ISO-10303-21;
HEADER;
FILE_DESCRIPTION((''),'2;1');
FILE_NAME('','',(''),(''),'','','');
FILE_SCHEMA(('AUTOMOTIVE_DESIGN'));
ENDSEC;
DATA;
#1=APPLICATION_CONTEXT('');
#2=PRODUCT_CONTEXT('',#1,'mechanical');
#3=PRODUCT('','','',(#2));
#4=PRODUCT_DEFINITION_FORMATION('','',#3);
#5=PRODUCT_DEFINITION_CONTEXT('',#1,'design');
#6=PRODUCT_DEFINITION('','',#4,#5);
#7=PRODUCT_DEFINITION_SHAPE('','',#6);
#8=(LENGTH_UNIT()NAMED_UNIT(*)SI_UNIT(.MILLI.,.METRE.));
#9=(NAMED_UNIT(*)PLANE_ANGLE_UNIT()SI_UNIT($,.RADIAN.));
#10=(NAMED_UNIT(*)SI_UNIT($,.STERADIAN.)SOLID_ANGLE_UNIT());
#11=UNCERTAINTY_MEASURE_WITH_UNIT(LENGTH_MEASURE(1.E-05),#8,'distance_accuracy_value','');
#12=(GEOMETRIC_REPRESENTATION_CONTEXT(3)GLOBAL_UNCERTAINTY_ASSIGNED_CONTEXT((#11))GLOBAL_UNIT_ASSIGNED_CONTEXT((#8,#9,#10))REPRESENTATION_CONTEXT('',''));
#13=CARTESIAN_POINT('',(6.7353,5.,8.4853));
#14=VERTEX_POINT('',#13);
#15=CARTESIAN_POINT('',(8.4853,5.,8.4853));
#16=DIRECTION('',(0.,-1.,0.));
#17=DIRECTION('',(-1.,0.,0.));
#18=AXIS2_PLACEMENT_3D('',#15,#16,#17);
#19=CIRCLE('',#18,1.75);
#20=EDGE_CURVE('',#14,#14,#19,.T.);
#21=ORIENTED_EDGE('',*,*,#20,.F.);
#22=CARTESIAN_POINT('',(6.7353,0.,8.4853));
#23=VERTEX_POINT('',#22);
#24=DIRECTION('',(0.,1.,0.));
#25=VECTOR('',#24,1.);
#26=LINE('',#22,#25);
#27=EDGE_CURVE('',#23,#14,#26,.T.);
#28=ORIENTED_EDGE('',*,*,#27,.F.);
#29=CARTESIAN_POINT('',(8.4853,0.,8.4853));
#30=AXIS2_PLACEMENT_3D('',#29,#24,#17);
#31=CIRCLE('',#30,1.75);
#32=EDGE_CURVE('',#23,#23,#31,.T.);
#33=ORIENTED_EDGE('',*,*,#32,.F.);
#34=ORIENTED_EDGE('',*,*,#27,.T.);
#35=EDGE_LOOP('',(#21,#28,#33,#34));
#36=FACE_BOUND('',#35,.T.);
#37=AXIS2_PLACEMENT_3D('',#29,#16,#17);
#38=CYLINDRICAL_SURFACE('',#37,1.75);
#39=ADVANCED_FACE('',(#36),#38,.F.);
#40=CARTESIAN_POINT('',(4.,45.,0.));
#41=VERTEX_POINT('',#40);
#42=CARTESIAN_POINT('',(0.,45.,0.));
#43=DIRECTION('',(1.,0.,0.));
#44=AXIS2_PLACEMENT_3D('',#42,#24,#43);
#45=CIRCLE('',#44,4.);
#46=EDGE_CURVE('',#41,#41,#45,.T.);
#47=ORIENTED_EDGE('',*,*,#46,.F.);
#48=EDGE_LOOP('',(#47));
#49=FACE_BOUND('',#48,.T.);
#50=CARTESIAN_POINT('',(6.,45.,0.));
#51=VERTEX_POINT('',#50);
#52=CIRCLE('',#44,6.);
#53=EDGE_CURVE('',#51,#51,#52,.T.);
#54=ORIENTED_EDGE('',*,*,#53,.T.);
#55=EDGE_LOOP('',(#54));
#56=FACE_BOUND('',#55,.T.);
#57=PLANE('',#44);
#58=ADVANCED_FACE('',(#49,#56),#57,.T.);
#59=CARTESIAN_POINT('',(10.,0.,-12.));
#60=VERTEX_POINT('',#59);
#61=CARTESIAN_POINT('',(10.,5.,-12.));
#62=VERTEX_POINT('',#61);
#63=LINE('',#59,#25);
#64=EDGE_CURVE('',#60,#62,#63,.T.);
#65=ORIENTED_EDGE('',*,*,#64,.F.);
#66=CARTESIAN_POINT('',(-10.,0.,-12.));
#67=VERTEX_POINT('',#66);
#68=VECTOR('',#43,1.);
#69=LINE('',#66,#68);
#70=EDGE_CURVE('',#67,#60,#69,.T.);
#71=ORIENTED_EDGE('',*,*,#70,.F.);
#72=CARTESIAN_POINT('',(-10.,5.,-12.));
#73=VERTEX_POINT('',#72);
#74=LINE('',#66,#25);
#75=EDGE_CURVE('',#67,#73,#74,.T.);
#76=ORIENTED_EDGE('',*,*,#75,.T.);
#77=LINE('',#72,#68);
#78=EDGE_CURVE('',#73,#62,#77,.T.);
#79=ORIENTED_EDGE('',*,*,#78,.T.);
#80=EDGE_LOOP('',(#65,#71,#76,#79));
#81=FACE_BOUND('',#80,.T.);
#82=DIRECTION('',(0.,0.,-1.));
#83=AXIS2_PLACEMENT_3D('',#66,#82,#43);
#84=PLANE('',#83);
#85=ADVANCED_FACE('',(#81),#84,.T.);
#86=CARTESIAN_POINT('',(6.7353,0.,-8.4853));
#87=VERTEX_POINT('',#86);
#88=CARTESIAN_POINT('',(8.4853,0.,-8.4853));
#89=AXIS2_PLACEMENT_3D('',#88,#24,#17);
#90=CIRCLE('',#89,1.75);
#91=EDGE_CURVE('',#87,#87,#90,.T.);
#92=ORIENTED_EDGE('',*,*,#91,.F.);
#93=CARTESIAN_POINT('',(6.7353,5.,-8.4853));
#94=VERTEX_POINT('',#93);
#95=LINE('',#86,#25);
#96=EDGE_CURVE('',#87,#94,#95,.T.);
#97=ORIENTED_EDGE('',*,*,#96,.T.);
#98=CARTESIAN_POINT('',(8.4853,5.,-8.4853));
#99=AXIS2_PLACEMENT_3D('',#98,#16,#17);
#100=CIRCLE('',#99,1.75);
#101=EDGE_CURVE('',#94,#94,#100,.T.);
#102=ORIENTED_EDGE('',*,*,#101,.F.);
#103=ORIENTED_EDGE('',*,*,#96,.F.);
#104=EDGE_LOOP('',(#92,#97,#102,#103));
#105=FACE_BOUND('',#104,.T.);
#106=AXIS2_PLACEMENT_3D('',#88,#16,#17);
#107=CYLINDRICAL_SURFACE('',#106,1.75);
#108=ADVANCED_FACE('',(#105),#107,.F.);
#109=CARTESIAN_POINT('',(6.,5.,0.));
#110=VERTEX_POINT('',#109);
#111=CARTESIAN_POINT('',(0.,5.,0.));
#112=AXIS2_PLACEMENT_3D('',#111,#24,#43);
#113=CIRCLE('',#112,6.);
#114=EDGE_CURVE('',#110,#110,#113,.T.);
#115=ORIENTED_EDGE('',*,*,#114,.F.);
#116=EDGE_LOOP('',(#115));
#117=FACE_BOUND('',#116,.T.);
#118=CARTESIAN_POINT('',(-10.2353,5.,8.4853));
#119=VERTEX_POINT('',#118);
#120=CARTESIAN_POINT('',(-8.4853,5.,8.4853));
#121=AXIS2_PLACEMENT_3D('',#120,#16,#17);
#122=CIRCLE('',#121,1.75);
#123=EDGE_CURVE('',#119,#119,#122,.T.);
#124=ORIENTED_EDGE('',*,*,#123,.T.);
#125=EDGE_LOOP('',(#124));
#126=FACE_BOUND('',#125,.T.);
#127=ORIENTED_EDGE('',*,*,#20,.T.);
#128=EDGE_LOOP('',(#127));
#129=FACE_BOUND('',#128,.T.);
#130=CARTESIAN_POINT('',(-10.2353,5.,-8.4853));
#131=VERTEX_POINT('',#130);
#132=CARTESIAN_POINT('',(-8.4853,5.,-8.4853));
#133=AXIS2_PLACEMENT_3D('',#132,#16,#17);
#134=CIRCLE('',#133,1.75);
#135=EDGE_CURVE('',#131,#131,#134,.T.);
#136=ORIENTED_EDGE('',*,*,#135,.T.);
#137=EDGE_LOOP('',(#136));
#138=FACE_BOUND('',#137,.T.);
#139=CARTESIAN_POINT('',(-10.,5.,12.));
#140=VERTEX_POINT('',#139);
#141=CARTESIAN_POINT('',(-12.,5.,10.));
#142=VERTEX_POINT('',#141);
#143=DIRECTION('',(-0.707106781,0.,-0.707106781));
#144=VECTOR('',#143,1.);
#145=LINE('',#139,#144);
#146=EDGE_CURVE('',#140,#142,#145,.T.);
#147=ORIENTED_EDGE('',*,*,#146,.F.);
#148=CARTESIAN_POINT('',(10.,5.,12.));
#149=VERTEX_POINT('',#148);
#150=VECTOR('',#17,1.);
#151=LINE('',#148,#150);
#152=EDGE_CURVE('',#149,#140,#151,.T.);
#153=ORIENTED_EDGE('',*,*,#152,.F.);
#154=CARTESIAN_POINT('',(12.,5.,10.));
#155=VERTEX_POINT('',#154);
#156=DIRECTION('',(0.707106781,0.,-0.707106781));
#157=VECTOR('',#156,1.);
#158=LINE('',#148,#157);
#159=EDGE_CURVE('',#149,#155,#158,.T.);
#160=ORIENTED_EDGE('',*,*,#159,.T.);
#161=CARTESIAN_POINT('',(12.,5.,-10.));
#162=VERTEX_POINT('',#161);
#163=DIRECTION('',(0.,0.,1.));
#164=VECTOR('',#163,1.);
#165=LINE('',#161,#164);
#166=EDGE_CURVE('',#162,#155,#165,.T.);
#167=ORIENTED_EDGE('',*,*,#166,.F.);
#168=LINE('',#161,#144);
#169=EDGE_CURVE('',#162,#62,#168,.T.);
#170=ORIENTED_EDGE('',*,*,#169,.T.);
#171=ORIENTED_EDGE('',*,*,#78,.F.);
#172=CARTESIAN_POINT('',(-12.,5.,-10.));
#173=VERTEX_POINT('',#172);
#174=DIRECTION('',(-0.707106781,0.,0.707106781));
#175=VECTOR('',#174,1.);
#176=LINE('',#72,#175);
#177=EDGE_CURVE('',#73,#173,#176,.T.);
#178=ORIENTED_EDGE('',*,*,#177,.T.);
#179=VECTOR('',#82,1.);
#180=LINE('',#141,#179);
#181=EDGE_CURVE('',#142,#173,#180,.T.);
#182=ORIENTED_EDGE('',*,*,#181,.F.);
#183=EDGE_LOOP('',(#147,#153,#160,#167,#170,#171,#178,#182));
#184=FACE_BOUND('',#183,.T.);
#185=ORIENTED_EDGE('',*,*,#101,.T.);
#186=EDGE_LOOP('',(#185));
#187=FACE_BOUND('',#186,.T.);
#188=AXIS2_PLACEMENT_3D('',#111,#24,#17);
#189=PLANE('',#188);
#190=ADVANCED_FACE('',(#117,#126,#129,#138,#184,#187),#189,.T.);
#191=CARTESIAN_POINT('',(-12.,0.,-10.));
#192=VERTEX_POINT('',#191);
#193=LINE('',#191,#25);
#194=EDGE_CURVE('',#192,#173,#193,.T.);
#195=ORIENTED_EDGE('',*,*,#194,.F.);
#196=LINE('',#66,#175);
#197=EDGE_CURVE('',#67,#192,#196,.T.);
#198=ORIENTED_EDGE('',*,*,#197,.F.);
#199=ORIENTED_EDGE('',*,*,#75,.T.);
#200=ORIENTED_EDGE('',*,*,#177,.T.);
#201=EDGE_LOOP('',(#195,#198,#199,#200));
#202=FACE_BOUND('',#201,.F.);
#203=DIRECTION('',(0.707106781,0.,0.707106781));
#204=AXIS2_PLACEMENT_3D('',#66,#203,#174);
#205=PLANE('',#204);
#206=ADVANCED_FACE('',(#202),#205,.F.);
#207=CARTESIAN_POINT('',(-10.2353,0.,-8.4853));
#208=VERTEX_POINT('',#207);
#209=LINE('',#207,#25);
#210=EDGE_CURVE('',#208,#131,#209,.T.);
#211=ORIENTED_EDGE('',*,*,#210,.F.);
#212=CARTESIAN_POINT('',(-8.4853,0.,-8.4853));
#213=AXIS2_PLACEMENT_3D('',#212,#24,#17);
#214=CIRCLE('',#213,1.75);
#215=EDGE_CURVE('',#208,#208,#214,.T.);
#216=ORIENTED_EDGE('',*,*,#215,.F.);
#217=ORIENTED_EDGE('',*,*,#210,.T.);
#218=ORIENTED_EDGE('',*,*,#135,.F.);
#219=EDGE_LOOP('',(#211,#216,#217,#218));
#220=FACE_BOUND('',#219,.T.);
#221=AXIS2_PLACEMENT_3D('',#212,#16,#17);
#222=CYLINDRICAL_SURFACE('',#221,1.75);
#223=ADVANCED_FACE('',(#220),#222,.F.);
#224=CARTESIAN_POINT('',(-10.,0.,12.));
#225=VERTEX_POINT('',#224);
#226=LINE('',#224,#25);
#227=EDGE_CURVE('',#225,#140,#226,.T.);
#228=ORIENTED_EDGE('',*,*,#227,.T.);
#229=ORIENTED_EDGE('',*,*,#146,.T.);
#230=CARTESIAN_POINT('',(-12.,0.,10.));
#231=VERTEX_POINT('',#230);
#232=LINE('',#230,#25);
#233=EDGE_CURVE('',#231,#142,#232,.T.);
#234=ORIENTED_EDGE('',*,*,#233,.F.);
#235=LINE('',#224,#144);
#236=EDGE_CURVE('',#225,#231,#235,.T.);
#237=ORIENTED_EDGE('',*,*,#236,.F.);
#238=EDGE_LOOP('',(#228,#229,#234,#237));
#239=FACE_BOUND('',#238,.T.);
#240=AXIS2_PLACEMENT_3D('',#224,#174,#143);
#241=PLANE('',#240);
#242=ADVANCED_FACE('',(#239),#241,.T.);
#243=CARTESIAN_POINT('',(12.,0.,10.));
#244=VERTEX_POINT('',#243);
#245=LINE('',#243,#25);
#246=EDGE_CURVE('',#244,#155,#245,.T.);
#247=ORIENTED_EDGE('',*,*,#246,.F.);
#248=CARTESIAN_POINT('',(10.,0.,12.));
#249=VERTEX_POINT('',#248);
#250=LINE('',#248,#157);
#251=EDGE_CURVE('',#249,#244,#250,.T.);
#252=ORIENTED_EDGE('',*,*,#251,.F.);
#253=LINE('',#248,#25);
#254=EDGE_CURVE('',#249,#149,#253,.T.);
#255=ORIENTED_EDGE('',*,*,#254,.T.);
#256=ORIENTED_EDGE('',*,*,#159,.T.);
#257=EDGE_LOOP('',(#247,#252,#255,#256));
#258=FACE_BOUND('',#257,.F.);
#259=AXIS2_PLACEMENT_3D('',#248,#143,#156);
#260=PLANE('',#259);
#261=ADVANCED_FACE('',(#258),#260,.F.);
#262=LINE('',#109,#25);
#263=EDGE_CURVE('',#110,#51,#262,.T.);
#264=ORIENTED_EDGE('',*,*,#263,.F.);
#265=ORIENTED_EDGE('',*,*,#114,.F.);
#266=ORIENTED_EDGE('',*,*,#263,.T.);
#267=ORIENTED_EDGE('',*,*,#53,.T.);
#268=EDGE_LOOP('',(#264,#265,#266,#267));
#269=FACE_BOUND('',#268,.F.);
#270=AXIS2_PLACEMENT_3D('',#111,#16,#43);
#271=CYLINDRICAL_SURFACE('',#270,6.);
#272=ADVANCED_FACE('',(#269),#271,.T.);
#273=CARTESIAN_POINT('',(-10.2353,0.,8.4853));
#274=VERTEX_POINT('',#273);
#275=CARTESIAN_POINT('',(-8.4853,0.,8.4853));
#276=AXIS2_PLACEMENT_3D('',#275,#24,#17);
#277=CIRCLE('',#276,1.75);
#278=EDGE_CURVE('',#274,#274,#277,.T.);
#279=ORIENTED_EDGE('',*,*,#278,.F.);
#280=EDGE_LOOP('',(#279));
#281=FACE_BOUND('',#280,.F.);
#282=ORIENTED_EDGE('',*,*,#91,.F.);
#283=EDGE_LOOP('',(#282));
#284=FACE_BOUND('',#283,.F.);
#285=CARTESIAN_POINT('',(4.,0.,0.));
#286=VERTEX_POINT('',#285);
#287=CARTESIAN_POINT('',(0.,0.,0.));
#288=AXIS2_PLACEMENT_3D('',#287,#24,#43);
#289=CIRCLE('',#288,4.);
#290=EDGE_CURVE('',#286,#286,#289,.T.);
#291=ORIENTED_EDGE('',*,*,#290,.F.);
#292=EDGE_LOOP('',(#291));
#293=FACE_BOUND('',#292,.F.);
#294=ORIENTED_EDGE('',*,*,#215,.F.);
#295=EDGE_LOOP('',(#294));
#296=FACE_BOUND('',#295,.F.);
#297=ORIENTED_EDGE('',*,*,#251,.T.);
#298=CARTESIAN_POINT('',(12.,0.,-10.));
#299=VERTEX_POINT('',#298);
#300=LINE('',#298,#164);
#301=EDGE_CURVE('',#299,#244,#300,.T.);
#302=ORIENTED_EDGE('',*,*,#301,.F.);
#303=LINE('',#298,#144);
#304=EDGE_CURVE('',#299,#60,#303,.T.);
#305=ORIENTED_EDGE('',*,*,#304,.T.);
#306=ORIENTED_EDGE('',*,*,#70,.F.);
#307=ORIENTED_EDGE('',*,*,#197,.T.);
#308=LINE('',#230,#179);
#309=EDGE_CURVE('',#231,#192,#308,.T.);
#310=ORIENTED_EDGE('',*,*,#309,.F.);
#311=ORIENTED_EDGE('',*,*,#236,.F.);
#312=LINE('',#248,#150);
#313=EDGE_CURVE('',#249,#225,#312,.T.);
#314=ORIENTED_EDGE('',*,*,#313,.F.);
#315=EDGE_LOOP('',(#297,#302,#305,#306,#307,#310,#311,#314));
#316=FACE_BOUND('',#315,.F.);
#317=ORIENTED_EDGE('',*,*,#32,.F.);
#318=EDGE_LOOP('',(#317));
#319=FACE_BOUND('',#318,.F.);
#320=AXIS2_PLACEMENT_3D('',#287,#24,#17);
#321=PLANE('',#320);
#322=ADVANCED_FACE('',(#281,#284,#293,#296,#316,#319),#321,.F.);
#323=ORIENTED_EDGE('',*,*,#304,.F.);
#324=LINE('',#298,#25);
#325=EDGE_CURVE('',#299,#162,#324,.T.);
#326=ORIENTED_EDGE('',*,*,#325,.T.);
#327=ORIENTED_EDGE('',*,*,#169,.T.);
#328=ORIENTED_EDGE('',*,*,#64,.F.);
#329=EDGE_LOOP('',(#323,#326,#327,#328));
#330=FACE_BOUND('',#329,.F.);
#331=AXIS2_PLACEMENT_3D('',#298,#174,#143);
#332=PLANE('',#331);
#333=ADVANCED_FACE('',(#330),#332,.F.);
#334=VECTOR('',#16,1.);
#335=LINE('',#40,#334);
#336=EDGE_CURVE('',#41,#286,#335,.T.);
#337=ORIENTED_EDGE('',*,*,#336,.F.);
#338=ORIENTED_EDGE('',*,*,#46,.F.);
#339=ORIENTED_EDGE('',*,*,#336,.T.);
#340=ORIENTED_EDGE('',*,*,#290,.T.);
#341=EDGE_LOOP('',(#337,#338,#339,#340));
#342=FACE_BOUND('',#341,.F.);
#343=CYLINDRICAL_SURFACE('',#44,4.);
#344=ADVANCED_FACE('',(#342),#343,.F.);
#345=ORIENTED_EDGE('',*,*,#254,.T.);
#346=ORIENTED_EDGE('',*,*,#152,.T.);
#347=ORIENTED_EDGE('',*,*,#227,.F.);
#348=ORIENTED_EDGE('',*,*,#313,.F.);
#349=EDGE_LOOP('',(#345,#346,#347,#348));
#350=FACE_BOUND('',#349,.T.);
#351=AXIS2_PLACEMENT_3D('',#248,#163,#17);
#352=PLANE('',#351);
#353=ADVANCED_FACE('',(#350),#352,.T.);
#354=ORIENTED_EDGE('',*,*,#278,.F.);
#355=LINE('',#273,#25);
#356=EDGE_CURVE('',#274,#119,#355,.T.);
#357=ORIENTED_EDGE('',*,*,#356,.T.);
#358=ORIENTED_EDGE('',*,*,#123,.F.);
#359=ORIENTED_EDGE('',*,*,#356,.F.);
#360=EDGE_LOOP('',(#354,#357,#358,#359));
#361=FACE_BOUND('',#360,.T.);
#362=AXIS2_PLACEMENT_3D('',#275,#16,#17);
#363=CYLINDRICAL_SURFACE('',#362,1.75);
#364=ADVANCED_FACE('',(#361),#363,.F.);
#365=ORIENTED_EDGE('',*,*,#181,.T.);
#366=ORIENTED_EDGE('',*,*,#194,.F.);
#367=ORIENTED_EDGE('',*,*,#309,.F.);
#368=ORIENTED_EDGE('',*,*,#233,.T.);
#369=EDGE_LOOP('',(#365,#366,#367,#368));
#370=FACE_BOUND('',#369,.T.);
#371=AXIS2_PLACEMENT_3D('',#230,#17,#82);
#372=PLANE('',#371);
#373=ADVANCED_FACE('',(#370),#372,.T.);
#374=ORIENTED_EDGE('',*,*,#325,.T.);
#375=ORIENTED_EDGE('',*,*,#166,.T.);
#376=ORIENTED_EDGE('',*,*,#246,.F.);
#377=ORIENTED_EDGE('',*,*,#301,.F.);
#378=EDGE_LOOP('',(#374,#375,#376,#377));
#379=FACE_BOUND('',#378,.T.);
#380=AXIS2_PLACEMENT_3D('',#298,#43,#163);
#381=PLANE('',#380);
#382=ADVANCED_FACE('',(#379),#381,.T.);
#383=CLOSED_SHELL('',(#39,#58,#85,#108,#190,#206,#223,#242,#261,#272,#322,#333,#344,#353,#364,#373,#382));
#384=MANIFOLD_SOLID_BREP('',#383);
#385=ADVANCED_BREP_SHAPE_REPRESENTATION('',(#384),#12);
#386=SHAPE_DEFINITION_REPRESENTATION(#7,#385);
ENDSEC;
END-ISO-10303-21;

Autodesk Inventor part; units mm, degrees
ref_plane "YZ Plane" through (0, 0, 0) normal (1, 0, 0) x (0, 1, 0)
ref_plane "XZ Plane" through (0, 0, 0) normal (0, 1, 0) x (-1, 0, 0)
ref_plane "XY Plane" through (0, 0, 0) normal (0, 0, 1) x (1, 0, 0)
sketch "Sketch1" plane through (0, 0, 0) normal (0, 1, 0) x (-1, 0, 0)
  line L0 (10, -12) -> (-10, -12)
  line L1 (-12, -10) -> (-12, 10)
  line L2 (-10, 12) -> (10, 12)
  line L3 (12, 10) -> (12, -10)
  line L4 (12, -12) -> (-12, 12) construction
  line L5 (-12, -12) -> (12, 12) construction
  line L6 (8.4853, -8.4853) -> (6.7353, -8.4853)
  line L7 (-8.4853, -8.4853) -> (-8.4853, -6.7353)
  line L8 (-8.4853, 8.4853) -> (-6.7353, 8.4853)
  line L9 (8.4853, 8.4853) -> (8.4853, 6.7353)
  line L10 (8.4853, -8.4853) -> (-8.4853, 8.4853) construction
  line L11 (-8.4853, -8.4853) -> (8.4853, 8.4853) construction
  circle A0 centre (-8.4853, 8.4853) radius 1.75
  circle A1 centre (8.4853, 8.4853) radius 1.75
  circle A2 centre (-8.4853, -8.4853) radius 1.75
  circle A3 centre (8.4853, -8.4853) radius 1.75
  line L12 (-10, 12) -> (-12, 10)
  line L13 (-12, -10) -> (-10, -12)
  line L14 (10, -12) -> (12, -10)
  line L15 (10, 12) -> (12, 10)
  line L16 (-6.7353, 8.4853) -> (6.7353, 8.4853)
  line L17 (6.7353, 8.4853) -> (8.4853, 8.4853)
  line L18 (-8.4853, 6.7353) -> (-8.4853, 8.4853)
  line L19 (-8.4853, -6.7353) -> (-8.4853, 6.7353)
  line L20 (-6.7353, -8.4853) -> (-8.4853, -8.4853)
  line L21 (6.7353, -8.4853) -> (-6.7353, -8.4853)
  line L22 (8.4853, -6.7353) -> (8.4853, -8.4853)
  line L23 (8.4853, 6.7353) -> (8.4853, -6.7353)
  point P0 (0, 0)
  dimension "d0" = 24
  dimension "d1" = 24
  dimension "d2" = 12
  dimension "d3" = 3.5
  dimension "d4" = 3.5
  dimension "d5" = 3.5
  dimension "d6" = 3.5
  dimension "d7" = 2
  dimension "d8" = 2
  dimension "d9" = 2
  dimension "d10" = 2
  dimension "d11" = 2
  dimension "d12" = 2
  dimension "d13" = 2
  dimension "d14" = 2
extrude "Extrusion1" add sketch "Sketch1" along normal blind 5 contours L0 L13 L1 L12 L2 L15 L3 L14 | L21 A2 L19 A0 L16 A1 L23 A3
sketch "Sketch2" plane through (0, 5, 0) normal (0, 1, 0) x (1, 0, 0)
  circle A0 centre (0, 0) radius 6
  dimension "d17" = 12
extrude "Extrusion2" add sketch "Sketch2" along normal blind 40
sketch "Sketch3" plane through (0, 45, 0) normal (0, 1, 0) x (1, 0, 0)
  circle A0 centre (0, 0) radius 6 projected
  circle A1 centre (0, 0) radius 4
  dimension "d20" = 8
extrude "Extrusion3" cut sketch "Sketch3" against normal through all contours A1
equation "\"d8\" = d7"
equation "\"d9\" = d7"
equation "\"d10\" = d9"
equation "\"d11\" = d7"
equation "\"d12\" = d11"
equation "\"d13\" = d7"
equation "\"d14\" = d13"
properties part number "lm8kuu"
